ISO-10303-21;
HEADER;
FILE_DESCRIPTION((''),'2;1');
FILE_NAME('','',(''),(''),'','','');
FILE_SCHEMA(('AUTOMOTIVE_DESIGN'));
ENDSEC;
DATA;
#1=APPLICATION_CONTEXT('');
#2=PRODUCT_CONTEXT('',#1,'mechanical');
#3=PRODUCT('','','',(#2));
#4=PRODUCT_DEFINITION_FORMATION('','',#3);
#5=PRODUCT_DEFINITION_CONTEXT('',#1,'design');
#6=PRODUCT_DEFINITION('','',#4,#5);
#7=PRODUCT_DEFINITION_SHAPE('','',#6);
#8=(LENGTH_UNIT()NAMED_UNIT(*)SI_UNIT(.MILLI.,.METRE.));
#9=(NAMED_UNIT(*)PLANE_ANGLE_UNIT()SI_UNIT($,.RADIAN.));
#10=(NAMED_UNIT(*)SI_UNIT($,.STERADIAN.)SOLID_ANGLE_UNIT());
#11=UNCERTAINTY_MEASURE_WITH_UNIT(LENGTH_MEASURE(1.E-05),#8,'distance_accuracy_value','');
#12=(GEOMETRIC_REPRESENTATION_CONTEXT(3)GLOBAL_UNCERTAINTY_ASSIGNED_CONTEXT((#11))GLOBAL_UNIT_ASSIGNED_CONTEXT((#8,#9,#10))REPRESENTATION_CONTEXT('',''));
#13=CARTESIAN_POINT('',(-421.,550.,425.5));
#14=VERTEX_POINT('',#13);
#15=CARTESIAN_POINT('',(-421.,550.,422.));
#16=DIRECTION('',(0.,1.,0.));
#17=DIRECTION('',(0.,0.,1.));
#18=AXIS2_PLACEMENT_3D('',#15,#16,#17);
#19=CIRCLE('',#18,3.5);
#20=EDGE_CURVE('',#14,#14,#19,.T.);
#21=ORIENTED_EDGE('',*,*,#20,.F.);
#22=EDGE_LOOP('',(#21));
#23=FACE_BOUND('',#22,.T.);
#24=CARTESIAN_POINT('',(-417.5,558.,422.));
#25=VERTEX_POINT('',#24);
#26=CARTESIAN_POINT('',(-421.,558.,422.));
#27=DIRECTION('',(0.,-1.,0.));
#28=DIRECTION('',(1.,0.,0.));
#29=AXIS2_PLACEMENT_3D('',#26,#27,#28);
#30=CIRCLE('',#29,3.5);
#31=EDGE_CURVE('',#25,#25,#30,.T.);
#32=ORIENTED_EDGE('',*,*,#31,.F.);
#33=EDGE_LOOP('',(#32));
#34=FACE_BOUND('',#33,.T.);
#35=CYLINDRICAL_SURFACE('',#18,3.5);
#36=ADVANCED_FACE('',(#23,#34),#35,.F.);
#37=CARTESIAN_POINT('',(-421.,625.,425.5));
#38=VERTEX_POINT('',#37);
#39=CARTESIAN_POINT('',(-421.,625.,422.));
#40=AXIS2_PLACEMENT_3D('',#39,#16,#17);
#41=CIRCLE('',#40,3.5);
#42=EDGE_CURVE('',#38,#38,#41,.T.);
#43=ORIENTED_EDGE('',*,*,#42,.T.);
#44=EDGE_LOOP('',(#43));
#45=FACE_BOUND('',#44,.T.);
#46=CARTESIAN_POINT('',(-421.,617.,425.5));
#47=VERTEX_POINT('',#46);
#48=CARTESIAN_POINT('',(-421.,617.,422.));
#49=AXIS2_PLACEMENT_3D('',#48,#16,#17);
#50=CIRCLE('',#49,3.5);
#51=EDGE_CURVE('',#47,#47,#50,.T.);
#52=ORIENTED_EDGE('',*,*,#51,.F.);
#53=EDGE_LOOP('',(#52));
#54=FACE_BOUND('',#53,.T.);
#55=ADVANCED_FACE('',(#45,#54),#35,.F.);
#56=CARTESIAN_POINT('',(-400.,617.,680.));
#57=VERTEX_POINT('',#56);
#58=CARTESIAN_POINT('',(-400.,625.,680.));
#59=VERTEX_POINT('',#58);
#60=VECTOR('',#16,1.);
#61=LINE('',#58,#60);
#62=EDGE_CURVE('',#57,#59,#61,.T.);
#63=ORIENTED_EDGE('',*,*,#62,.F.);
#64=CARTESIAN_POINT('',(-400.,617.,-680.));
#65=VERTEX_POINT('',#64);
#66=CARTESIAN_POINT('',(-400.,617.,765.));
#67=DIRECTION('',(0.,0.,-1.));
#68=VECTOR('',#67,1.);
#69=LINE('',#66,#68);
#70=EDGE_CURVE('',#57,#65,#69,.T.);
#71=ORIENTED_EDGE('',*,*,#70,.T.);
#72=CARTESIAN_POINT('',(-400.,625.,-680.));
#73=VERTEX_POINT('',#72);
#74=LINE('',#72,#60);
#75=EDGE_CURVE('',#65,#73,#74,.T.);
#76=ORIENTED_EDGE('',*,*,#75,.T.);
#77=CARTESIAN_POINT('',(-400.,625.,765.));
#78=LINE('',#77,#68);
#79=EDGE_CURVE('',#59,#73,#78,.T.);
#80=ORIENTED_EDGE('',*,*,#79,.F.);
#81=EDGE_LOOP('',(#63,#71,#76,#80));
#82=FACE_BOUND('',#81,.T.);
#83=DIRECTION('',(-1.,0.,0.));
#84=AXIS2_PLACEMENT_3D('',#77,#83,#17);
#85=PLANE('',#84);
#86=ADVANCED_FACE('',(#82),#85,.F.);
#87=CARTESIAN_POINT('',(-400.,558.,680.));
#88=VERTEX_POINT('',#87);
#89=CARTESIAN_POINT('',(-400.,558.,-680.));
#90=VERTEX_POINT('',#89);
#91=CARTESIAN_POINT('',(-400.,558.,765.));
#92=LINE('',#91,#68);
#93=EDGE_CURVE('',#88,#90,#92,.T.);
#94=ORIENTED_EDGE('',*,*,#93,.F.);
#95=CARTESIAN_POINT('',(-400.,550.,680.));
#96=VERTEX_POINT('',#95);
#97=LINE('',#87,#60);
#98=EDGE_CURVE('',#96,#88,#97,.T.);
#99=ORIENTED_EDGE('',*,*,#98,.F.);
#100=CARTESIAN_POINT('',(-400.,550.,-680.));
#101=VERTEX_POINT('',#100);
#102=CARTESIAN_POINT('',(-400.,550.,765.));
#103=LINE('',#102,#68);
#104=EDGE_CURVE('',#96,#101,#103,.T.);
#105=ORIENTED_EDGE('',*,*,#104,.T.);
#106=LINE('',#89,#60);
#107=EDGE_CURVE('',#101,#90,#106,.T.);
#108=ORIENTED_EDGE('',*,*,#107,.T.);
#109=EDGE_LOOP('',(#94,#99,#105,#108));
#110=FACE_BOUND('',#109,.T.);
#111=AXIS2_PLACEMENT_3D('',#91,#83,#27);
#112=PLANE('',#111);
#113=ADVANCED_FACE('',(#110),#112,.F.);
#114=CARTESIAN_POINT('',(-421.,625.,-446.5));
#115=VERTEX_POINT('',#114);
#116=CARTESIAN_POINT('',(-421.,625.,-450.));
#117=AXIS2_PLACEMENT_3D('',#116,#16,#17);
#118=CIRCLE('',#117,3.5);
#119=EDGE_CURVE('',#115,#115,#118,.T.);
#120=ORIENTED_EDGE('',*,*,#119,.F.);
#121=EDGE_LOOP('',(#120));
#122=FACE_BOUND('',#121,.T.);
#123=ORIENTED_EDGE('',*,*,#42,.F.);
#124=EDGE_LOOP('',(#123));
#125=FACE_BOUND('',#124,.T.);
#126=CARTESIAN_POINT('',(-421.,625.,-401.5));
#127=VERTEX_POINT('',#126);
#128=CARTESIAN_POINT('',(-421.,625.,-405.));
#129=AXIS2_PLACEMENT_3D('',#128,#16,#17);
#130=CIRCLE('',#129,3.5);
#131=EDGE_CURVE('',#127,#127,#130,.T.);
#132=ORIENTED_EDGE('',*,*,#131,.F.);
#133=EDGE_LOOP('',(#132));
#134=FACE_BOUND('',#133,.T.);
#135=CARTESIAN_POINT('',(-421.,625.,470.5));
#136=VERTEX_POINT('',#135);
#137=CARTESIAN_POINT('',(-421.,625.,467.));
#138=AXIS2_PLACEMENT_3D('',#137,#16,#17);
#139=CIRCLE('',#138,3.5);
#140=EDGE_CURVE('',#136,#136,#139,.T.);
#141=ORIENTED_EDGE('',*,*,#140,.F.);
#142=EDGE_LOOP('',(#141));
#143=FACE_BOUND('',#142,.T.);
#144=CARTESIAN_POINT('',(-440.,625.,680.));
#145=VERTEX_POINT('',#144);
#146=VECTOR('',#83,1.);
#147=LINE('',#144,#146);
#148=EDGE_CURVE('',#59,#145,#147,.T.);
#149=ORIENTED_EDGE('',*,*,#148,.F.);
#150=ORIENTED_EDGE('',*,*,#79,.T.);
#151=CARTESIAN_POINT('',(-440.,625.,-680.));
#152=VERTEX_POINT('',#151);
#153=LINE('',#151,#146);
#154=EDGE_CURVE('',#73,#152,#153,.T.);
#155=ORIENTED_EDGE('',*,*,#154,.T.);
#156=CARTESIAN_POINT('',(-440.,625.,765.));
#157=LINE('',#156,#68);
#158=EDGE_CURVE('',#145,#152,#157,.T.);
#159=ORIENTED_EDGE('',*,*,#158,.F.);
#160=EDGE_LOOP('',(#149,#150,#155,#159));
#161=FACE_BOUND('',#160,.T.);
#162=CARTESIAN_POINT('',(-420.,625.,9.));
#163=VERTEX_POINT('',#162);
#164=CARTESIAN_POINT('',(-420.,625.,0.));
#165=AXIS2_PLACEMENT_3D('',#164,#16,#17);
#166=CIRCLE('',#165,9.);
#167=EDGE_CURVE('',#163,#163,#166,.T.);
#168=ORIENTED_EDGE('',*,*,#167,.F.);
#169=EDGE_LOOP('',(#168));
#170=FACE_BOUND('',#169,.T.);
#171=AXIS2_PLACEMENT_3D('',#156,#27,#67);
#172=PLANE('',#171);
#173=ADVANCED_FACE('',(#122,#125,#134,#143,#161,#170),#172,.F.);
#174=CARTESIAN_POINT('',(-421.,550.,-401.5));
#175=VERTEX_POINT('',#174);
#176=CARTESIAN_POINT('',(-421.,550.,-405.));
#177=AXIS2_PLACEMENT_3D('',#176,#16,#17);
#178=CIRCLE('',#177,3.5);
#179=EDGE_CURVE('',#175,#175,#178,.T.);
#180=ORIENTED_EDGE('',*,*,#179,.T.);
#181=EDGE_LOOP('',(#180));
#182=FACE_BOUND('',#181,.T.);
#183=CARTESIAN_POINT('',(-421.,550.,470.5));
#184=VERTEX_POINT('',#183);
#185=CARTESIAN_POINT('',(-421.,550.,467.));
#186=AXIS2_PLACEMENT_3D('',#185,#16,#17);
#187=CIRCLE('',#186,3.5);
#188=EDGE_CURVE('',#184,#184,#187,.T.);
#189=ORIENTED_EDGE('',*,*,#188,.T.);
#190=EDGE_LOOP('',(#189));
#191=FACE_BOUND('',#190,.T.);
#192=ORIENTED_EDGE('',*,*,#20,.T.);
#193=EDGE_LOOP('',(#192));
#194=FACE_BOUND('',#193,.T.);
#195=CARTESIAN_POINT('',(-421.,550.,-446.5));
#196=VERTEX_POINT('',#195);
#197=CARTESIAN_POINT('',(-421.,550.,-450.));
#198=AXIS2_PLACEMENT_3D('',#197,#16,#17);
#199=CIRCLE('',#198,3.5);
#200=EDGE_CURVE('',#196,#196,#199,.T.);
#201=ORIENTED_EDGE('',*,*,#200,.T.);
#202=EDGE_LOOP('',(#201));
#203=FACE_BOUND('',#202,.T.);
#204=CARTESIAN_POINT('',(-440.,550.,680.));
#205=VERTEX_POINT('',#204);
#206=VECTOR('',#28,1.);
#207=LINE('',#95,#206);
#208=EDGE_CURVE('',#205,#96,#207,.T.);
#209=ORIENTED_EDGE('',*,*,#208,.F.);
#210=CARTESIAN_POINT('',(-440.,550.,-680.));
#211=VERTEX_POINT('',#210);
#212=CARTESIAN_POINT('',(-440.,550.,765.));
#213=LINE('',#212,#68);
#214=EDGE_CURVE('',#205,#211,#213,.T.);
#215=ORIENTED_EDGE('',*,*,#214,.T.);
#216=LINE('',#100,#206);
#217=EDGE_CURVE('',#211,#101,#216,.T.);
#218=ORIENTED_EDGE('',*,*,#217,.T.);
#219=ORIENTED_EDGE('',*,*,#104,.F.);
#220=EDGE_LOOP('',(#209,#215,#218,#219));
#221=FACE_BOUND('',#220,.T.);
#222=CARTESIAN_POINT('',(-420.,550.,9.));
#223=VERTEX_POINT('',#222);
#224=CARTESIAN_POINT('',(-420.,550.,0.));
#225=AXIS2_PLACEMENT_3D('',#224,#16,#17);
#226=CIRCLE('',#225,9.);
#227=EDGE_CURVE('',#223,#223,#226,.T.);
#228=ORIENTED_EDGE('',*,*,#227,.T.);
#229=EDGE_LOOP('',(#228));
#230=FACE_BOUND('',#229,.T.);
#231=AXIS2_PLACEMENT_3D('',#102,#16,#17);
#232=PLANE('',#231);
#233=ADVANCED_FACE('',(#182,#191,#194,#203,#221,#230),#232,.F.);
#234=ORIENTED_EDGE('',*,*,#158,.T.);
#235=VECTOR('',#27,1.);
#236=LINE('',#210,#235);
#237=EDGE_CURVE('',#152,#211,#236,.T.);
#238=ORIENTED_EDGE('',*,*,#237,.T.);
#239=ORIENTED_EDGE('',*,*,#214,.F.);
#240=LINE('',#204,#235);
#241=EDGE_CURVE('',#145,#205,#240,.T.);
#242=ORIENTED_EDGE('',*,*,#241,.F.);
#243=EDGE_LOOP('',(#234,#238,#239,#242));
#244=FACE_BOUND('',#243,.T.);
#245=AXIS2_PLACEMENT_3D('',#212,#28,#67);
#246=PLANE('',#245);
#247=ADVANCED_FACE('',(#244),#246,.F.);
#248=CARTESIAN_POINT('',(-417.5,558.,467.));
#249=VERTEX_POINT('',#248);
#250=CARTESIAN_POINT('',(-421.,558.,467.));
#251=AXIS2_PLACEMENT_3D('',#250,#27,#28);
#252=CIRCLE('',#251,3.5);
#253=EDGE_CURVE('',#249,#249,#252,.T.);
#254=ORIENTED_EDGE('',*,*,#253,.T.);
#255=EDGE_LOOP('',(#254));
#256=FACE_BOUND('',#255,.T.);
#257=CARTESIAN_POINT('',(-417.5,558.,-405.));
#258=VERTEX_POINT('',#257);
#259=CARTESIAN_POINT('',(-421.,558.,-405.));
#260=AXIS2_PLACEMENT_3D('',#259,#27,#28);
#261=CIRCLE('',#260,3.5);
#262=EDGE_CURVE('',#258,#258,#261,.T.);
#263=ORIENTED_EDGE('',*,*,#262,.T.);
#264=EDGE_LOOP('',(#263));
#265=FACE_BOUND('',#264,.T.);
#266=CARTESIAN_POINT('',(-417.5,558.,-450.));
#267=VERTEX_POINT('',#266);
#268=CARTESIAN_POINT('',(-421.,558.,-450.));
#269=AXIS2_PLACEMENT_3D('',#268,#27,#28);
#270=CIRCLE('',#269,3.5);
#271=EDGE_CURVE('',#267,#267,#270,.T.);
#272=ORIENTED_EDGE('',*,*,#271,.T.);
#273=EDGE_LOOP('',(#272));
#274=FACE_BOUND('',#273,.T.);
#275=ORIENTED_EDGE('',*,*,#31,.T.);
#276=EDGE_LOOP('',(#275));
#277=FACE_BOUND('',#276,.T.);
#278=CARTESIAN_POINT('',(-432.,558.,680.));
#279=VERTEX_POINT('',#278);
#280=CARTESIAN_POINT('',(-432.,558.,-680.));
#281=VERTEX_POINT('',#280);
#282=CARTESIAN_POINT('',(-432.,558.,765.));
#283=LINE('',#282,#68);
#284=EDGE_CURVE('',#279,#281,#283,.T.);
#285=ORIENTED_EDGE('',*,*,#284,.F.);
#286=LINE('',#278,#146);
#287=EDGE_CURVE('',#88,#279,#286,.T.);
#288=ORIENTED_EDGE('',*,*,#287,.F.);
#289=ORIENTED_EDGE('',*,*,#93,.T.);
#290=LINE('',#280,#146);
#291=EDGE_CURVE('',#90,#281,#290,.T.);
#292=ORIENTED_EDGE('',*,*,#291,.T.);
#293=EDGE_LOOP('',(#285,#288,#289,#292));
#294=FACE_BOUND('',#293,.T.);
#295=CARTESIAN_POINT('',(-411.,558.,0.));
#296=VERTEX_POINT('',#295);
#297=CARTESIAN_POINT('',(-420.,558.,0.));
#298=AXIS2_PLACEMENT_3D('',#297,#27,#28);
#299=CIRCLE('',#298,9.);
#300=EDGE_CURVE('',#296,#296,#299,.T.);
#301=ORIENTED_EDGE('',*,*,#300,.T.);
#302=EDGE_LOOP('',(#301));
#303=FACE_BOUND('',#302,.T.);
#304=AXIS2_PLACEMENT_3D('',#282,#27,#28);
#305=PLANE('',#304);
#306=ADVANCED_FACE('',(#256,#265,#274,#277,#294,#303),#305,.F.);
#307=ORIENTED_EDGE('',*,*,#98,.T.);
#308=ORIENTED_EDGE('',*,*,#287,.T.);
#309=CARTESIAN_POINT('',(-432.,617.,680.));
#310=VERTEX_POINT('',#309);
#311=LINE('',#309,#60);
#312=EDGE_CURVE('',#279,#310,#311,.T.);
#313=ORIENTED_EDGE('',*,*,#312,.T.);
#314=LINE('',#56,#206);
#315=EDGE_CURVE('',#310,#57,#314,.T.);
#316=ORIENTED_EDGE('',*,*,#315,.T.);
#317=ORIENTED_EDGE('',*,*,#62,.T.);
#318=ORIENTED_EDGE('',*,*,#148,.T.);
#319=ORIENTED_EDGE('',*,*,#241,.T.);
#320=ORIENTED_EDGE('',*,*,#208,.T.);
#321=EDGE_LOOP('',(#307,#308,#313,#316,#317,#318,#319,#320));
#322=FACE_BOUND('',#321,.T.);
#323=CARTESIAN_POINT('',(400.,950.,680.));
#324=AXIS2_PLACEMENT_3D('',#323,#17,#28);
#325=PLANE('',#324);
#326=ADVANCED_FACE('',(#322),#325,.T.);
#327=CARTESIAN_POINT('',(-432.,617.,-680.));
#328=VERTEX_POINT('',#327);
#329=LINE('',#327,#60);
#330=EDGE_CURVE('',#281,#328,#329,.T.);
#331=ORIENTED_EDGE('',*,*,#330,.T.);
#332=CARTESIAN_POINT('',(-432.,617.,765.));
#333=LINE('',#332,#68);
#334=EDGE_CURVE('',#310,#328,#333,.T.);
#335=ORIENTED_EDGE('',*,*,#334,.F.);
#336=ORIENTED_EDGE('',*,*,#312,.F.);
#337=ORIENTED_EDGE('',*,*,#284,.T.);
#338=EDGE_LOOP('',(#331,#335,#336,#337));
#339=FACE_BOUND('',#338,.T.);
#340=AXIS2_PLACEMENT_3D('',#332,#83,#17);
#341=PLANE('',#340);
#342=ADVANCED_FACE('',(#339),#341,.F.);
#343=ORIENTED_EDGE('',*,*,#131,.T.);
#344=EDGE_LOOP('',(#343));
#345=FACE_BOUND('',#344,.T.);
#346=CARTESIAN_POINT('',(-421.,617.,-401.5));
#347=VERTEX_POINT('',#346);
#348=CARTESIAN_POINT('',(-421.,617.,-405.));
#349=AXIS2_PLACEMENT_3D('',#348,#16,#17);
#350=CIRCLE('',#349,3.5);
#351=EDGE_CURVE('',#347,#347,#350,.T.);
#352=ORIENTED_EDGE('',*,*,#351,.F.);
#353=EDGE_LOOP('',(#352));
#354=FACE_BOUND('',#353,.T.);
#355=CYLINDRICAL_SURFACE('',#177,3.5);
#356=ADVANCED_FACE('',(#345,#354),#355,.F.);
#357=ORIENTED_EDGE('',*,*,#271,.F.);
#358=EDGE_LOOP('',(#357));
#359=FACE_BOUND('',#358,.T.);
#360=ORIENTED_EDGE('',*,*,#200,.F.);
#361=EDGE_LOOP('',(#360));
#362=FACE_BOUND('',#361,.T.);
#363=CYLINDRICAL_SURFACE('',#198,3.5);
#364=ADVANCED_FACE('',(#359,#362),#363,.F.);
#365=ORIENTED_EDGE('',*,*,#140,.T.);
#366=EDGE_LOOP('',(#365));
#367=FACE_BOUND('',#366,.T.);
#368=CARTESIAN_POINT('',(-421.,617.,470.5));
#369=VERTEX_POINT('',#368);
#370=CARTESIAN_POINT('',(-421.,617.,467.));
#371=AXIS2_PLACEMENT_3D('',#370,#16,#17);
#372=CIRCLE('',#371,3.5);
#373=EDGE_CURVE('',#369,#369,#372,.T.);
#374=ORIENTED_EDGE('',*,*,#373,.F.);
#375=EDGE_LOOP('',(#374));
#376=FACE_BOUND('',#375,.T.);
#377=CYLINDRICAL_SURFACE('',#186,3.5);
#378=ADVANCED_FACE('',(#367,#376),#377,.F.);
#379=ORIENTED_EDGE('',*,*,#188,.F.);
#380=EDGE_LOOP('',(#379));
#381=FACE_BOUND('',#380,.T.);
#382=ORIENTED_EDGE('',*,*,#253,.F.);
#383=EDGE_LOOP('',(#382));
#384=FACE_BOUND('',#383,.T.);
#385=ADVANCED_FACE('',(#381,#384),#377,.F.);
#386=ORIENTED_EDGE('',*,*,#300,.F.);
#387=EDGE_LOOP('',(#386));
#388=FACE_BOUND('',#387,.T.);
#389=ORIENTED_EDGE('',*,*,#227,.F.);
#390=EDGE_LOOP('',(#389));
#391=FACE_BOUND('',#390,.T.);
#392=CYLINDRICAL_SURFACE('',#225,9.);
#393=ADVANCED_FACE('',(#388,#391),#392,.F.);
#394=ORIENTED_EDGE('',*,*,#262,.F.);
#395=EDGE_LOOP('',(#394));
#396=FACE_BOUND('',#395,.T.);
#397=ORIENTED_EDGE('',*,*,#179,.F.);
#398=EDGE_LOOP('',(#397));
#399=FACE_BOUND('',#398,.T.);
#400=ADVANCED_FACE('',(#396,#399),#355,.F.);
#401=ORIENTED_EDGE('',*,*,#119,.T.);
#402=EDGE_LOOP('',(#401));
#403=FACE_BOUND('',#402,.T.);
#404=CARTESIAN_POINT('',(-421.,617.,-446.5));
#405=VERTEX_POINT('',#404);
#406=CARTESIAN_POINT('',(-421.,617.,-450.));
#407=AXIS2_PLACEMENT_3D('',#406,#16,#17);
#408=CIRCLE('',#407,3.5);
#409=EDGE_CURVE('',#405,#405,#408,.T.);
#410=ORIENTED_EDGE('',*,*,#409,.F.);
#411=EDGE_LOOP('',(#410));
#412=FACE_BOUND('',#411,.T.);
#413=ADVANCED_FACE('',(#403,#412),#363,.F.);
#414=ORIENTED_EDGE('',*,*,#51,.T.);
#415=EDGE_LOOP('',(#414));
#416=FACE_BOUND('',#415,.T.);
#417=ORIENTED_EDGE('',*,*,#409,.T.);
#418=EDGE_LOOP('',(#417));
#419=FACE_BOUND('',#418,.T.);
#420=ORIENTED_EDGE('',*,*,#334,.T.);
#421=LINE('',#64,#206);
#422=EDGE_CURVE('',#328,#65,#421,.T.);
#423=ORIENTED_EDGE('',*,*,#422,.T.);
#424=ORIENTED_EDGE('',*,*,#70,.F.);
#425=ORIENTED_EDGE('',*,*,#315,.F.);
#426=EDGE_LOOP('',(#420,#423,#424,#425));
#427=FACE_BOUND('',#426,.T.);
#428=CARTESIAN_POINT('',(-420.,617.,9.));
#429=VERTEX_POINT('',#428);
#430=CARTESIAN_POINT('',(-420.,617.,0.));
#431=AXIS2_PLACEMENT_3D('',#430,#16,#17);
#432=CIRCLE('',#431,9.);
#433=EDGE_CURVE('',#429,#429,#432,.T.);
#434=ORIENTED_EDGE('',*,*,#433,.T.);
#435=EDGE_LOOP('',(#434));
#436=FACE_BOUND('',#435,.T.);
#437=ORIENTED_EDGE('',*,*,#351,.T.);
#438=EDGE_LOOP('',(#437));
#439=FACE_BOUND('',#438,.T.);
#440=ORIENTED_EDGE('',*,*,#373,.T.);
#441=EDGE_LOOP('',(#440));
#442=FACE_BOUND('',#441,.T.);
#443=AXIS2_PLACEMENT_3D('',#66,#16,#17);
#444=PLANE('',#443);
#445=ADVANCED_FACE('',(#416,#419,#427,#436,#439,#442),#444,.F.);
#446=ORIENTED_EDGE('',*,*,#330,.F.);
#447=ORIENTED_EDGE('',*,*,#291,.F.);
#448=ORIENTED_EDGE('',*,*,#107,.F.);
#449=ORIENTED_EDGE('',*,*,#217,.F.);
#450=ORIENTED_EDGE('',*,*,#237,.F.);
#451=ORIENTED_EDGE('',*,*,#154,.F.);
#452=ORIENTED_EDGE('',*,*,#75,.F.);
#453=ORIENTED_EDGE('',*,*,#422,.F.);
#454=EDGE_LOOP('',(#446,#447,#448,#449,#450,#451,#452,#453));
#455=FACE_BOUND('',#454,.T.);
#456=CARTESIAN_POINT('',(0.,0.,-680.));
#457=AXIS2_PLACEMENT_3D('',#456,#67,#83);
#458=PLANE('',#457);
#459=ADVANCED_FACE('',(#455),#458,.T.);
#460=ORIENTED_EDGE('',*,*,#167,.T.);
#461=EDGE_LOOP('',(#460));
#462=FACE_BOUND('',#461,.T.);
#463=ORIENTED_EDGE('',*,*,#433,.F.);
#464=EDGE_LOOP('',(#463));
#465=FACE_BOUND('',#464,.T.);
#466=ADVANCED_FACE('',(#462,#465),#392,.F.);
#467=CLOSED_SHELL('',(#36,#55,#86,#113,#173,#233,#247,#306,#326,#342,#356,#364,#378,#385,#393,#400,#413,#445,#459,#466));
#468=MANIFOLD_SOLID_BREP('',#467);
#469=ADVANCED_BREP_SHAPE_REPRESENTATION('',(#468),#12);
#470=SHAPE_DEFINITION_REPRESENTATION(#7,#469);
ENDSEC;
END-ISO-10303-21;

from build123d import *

# Parameters (mm, degrees)
BOSS_EXTRUDE1_DEPTH = 1360
SKETCH2_R           = 3.5
SKETCH2_R_2         = 9
CUT_EXTRUDE1_DEPTH  = 814.403343981


with BuildPart() as part:
    # Sketch1 → Boss-Extrude1 (new body)
    with BuildSketch(Plane.XY.offset(-680)):
        Polygon((-440, 550), (-440, 625), (-400, 625), (-400, 617), (-432, 617), (-432, 558), (-400, 558), (-400, 550), align=None)
    extrude(amount=BOSS_EXTRUDE1_DEPTH)

    # Sketch2 → Cut-Extrude1 (cut, through all)
    with BuildSketch(Plane(origin=(0, 625, 0), x_dir=(1, 0, 0), z_dir=(0, 1, 0))):
        with Locations(Location((-421, -467, 0), (0, 0, 270))):
            Circle(SKETCH2_R)
        with Locations(Location((-421, -422, 0), (0, 0, 270))):
            Circle(SKETCH2_R)
        with Locations(Location((-420, 0, 0), (0, 0, 270))):
            Circle(SKETCH2_R_2)
        with Locations(Location((-421, 450, 0), (0, 0, 270))):
            Circle(SKETCH2_R)
        with Locations(Location((-421, 405, 0), (0, 0, 270))):
            Circle(SKETCH2_R)
    extrude(amount=-CUT_EXTRUDE1_DEPTH, mode=Mode.SUBTRACT)


solid = part.part
